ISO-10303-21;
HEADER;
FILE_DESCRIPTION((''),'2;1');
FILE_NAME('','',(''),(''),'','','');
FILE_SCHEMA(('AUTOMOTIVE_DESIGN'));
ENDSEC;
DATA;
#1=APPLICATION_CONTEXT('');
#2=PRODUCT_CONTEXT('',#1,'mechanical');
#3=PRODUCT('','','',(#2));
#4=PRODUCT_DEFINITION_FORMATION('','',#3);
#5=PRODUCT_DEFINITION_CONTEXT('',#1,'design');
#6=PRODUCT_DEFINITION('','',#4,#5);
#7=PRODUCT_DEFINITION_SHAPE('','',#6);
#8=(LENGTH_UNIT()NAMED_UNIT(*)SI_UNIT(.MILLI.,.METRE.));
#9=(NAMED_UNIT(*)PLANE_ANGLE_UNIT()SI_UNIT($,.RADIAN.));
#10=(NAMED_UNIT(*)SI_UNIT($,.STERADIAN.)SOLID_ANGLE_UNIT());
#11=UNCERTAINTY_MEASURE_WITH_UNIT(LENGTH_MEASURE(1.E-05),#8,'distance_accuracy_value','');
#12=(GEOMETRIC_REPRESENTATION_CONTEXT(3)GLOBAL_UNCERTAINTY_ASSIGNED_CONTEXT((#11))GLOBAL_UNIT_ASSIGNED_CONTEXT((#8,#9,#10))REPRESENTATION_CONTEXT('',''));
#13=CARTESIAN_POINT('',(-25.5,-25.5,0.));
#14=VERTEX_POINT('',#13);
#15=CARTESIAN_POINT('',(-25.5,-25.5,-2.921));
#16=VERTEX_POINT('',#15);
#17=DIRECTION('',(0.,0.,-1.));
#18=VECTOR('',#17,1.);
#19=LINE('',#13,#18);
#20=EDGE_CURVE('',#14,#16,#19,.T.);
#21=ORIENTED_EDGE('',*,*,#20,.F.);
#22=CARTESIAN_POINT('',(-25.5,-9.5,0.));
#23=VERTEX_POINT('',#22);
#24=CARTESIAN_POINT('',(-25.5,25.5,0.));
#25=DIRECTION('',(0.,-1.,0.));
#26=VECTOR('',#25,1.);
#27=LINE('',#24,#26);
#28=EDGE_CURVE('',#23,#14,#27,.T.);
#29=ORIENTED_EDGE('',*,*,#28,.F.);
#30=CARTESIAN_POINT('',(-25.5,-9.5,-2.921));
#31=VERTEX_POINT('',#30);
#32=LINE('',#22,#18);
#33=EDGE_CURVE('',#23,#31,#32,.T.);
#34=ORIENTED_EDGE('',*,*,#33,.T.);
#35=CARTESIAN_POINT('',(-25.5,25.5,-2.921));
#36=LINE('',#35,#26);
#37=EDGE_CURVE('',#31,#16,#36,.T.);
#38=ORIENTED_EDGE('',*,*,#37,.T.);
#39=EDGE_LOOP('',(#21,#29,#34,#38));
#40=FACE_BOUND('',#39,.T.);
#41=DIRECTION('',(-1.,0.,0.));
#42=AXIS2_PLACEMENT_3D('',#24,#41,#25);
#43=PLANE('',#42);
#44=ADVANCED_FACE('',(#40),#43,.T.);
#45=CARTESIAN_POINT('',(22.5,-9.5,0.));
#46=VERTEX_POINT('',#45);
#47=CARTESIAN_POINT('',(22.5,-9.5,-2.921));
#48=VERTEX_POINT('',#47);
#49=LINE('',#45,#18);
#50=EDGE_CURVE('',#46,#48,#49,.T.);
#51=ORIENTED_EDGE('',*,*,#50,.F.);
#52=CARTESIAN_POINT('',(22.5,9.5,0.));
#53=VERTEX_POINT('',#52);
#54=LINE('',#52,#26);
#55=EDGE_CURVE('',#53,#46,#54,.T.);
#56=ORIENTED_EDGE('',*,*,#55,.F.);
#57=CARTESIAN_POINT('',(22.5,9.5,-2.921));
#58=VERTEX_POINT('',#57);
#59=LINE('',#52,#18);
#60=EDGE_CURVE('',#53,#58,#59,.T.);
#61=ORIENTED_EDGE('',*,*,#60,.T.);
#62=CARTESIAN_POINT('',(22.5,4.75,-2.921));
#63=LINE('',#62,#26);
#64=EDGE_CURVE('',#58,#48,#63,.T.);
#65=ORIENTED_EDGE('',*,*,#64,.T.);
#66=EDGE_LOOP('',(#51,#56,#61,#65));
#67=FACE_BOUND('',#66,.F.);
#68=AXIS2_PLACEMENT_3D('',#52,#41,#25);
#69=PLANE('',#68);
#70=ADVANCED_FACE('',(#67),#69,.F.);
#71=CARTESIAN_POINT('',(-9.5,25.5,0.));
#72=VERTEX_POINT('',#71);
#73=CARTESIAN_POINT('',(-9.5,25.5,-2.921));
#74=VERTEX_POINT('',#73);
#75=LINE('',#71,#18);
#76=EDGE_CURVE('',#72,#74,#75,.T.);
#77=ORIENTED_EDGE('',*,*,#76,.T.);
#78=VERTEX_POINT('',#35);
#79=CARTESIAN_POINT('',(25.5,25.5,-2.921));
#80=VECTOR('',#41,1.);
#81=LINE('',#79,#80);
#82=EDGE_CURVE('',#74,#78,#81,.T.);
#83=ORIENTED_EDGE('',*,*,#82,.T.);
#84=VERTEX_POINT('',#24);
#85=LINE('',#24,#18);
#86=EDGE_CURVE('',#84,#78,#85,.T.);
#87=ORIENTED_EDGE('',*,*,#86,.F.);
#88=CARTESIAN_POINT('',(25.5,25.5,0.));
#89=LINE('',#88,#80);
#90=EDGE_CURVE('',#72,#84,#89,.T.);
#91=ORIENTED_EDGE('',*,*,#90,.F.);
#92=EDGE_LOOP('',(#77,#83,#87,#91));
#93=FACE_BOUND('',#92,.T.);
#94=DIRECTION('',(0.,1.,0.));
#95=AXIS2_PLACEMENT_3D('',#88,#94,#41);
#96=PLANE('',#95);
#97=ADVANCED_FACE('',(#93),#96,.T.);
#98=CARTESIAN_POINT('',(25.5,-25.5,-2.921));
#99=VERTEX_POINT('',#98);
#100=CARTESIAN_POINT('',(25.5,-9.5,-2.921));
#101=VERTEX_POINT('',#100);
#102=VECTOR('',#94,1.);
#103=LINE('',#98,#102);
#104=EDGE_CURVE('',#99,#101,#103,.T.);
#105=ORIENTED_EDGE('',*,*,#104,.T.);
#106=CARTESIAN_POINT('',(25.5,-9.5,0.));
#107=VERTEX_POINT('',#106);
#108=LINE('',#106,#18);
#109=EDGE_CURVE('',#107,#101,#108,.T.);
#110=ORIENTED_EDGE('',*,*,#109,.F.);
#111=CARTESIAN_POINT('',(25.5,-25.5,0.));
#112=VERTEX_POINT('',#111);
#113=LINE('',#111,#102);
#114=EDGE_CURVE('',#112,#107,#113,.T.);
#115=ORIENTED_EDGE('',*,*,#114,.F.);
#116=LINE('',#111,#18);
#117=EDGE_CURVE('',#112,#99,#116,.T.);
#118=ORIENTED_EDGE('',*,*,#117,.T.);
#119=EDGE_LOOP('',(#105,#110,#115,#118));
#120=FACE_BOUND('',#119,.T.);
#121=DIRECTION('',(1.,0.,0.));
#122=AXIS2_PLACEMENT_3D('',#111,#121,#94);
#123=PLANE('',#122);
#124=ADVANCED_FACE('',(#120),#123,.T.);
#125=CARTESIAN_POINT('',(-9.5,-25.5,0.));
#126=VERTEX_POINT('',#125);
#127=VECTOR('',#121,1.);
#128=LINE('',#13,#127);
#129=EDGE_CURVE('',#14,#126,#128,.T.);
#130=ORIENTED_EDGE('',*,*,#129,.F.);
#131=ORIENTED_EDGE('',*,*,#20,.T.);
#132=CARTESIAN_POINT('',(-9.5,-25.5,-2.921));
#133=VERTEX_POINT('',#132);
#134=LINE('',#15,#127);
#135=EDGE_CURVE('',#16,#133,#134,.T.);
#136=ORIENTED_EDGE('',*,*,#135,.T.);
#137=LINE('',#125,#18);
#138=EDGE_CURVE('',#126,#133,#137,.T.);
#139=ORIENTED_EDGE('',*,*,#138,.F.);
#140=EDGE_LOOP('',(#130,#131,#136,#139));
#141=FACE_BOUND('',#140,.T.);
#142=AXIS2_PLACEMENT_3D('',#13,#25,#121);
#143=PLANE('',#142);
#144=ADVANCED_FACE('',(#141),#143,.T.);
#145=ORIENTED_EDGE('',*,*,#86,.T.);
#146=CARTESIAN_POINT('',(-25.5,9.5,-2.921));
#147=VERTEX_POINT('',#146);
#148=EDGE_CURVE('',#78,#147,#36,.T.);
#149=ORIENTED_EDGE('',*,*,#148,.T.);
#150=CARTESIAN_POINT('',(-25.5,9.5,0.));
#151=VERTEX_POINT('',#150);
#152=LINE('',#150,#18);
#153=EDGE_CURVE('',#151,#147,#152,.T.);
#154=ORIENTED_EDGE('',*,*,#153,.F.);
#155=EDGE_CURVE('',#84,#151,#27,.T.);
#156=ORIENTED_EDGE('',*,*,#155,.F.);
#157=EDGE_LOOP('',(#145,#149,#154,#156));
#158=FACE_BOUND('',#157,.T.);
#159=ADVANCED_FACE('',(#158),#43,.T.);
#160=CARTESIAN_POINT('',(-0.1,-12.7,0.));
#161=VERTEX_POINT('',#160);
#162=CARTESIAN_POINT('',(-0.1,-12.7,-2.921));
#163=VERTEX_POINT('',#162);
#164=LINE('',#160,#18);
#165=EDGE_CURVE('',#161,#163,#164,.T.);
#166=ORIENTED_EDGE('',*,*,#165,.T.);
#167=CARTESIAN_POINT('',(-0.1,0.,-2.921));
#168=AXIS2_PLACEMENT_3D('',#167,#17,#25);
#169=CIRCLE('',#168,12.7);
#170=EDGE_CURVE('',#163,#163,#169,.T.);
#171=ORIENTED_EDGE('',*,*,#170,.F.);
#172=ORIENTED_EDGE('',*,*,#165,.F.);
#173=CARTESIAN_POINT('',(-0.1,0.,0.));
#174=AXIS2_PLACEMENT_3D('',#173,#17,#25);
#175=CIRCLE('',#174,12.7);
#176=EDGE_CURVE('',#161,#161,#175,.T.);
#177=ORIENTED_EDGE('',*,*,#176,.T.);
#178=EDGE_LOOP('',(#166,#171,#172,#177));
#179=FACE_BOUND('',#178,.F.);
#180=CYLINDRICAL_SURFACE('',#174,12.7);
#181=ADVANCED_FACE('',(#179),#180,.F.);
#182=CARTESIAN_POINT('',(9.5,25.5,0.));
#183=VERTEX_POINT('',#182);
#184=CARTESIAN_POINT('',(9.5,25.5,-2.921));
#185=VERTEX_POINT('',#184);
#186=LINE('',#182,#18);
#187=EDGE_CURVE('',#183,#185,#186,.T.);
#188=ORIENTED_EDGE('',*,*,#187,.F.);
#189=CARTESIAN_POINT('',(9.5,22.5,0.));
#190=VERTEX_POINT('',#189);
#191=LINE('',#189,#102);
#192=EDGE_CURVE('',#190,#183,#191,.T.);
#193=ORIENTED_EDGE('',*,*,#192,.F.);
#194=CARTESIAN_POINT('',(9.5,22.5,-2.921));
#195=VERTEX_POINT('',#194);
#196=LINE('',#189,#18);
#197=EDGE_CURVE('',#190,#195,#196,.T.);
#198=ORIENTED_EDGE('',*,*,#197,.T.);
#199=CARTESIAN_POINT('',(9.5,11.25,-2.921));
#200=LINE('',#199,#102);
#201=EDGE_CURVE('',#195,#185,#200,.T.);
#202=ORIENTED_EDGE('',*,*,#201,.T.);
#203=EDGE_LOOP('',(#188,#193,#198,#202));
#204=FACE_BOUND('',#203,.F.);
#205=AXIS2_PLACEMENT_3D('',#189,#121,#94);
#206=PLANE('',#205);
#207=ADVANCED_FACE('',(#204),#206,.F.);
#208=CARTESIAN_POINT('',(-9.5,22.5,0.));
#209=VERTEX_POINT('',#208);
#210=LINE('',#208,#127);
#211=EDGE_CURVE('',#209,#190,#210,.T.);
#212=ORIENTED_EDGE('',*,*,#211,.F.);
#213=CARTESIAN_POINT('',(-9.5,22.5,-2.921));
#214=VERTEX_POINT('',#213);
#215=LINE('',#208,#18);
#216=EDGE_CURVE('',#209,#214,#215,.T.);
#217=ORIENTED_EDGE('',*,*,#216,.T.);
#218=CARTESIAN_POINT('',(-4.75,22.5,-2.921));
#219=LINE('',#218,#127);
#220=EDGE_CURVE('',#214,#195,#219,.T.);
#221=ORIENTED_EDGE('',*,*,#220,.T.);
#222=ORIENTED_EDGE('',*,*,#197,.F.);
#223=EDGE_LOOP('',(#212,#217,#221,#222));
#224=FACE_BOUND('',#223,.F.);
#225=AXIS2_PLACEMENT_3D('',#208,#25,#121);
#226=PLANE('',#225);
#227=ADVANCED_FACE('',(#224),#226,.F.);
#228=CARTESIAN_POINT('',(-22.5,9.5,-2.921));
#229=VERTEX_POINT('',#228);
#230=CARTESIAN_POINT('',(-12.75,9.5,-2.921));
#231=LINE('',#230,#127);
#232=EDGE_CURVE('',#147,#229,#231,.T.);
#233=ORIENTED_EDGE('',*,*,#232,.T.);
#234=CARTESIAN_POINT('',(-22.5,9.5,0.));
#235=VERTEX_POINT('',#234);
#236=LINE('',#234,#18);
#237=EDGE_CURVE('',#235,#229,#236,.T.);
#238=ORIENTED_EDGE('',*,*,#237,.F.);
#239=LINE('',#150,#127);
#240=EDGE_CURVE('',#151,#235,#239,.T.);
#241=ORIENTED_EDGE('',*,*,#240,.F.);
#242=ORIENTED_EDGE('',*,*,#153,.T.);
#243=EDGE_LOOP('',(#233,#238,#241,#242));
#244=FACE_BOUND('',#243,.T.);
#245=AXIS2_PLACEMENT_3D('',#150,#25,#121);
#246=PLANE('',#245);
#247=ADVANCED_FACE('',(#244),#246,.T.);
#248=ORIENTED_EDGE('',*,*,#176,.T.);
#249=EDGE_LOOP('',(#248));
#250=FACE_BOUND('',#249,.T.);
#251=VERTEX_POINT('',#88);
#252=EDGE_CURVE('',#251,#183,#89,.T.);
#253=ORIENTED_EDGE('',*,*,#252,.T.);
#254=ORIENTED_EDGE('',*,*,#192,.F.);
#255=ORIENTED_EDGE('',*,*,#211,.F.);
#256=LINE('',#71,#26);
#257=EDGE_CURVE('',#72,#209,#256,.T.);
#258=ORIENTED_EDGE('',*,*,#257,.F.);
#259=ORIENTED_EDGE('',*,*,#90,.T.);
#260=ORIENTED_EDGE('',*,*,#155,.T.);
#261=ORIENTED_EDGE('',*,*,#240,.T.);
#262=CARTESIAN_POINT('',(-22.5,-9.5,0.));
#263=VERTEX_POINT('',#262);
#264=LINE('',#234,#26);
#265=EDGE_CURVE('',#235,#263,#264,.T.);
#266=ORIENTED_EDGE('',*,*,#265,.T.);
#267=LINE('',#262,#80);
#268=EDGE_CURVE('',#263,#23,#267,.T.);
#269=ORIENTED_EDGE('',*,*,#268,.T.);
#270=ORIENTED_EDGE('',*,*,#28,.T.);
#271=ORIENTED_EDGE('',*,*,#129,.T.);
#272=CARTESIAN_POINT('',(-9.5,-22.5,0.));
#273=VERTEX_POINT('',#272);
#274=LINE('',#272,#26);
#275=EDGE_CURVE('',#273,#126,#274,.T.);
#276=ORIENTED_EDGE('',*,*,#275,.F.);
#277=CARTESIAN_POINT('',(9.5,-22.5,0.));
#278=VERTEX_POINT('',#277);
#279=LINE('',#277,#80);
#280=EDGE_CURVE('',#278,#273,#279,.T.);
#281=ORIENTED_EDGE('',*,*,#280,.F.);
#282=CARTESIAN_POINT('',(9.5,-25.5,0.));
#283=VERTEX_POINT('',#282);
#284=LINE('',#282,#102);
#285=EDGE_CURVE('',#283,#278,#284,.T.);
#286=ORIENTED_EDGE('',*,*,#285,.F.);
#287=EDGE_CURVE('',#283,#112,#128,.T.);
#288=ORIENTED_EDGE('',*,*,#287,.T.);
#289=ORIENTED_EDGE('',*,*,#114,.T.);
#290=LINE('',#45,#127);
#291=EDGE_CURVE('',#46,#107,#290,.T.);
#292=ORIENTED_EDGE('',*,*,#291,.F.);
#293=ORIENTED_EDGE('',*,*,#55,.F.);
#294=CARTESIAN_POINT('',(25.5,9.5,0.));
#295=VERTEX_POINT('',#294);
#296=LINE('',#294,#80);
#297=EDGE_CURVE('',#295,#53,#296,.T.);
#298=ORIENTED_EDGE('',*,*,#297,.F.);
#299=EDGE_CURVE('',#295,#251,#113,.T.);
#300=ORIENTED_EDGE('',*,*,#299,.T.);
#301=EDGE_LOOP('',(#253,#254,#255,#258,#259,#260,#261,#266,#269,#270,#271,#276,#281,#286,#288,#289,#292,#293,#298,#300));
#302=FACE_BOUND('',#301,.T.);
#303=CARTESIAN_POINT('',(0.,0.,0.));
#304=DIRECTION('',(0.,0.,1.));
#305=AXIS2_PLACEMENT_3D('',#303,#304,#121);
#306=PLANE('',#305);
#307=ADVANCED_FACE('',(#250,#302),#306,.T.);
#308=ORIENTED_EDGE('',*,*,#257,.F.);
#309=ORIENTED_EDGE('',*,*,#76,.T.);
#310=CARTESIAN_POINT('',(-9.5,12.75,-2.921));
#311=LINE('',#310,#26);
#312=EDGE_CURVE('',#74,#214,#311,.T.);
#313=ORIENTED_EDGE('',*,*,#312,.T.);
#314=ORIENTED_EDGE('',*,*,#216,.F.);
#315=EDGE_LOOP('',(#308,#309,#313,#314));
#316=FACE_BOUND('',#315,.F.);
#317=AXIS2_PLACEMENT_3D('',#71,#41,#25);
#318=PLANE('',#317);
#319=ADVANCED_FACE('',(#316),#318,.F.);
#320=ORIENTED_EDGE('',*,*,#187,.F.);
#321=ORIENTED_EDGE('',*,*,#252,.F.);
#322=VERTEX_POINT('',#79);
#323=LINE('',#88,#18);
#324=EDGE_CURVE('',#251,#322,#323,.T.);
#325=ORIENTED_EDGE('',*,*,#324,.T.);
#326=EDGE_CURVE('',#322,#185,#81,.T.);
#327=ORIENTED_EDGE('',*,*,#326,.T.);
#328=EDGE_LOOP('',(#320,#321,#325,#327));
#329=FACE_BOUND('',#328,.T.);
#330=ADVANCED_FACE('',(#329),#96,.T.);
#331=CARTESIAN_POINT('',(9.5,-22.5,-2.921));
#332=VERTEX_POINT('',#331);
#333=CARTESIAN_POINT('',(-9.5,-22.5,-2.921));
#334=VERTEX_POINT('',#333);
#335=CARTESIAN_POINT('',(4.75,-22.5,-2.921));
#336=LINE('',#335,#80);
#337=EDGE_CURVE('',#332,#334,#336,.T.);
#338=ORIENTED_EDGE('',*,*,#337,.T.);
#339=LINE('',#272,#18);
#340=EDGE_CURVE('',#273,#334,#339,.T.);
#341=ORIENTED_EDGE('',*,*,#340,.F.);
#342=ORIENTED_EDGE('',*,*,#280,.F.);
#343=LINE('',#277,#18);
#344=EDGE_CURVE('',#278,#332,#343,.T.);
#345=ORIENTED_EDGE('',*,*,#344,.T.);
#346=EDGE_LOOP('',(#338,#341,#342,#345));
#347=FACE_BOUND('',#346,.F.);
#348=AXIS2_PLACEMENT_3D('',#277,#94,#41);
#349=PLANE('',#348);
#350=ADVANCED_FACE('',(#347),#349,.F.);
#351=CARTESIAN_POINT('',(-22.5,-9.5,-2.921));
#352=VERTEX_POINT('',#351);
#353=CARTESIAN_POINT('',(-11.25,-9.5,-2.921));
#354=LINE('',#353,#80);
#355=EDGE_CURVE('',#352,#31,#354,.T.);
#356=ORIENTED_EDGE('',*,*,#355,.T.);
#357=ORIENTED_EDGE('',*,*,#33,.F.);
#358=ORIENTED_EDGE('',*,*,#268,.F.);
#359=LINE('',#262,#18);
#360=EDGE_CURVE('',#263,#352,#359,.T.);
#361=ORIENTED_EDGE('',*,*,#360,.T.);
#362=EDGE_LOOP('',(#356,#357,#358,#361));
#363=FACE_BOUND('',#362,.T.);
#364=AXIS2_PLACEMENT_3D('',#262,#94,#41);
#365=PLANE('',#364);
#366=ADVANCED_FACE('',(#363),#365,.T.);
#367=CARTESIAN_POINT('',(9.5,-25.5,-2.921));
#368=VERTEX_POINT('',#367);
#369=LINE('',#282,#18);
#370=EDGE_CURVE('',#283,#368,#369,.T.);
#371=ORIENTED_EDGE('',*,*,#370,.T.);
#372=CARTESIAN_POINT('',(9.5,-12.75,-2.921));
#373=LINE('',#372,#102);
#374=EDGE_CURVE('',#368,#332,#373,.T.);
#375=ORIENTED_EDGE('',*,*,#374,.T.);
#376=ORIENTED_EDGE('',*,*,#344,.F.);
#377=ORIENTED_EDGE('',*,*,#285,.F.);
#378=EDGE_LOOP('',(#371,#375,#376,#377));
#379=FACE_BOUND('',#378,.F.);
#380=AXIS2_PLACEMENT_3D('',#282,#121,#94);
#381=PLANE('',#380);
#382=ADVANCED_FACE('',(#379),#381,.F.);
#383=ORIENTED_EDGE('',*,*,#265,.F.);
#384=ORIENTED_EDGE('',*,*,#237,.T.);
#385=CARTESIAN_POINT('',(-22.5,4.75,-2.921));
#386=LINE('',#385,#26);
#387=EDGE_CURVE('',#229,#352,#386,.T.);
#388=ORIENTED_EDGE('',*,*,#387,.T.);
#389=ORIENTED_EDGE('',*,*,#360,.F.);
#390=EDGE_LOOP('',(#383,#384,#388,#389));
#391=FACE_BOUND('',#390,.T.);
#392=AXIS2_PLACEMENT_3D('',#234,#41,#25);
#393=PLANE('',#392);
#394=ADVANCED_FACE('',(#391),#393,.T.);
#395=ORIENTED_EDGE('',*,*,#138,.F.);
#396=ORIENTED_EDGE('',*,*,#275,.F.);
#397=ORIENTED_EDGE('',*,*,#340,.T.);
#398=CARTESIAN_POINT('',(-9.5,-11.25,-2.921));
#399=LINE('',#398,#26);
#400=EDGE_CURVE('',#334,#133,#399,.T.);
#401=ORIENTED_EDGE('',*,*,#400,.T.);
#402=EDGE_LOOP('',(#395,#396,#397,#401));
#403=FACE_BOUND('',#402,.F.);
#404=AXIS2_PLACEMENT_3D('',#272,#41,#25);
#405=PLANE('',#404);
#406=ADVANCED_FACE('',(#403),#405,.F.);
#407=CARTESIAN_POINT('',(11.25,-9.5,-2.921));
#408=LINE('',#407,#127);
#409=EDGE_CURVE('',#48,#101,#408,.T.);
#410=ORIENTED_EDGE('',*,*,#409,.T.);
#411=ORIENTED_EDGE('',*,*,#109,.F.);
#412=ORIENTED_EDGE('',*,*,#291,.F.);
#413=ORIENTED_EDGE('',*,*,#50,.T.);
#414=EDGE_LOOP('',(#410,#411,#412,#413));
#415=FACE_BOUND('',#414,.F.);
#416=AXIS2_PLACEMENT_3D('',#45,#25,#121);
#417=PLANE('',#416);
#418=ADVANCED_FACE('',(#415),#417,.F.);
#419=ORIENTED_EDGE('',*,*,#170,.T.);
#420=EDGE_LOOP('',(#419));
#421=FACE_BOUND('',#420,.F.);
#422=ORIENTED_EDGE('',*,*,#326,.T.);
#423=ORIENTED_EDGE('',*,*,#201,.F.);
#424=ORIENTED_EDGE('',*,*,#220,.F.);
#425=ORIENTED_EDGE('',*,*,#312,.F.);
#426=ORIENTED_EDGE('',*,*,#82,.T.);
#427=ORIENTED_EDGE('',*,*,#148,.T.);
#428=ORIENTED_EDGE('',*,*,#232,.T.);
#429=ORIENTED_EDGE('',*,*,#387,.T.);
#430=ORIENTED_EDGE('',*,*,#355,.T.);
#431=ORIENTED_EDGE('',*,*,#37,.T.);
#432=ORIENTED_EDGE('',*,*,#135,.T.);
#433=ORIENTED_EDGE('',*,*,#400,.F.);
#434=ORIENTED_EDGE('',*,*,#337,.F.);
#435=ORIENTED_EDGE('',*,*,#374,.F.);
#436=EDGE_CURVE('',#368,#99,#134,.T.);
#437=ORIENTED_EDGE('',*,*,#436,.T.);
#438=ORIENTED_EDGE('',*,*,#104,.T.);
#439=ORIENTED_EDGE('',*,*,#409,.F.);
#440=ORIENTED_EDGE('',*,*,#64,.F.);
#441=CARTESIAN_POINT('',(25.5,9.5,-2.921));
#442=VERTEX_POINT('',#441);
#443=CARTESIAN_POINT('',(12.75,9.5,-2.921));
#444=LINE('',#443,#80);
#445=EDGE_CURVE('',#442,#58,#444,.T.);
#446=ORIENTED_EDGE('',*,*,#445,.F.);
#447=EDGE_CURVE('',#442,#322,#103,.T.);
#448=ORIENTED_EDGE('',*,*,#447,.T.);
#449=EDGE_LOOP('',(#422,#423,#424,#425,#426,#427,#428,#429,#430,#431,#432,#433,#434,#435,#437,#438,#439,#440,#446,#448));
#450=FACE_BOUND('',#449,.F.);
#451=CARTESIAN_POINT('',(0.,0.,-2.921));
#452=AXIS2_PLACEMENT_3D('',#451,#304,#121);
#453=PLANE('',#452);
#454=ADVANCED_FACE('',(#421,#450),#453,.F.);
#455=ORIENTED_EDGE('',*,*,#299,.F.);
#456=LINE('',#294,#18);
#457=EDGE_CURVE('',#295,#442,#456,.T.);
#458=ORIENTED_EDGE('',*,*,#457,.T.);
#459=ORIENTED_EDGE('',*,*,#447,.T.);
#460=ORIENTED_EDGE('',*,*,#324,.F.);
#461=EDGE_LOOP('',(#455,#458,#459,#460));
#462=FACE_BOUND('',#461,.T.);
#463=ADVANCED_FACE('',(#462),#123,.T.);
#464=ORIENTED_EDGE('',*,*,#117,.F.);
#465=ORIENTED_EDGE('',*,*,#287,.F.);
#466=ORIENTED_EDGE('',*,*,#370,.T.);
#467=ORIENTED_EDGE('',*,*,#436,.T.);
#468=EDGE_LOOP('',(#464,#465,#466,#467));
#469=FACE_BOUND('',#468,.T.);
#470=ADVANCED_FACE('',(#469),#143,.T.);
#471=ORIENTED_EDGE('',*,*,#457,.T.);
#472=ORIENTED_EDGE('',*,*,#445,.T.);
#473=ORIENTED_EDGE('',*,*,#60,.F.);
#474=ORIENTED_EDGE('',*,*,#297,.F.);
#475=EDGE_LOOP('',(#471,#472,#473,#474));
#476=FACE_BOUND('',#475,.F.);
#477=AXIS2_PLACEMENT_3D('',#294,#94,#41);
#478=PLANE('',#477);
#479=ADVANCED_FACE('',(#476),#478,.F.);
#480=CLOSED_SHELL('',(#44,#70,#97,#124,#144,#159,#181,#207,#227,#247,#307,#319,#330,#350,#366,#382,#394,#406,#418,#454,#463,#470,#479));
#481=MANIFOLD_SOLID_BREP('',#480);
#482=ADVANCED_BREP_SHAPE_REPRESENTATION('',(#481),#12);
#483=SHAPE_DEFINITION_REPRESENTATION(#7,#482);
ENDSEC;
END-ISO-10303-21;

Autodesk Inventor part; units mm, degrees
ref_plane "YZ Plane" through (0, 0, 0) normal (1, 0, 0) x (0, 1, 0)
ref_plane "XZ Plane" through (0, 0, 0) normal (0, 1, 0) x (-1, 0, 0)
ref_plane "XY Plane" through (0, 0, 0) normal (0, 0, 1) x (1, 0, 0)
sketch "Sketch1" plane through (0, 0, 0) normal (0, 0, 1) x (1, 0, 0)
  line L0 (-25.5, -25.5) -> (25.5, -25.5)
  line L1 (25.5, -25.5) -> (25.5, 25.5)
  line L2 (25.5, 25.5) -> (-25.5, 25.5)
  line L3 (-25.5, 25.5) -> (-25.5, -25.5)
  line L4 (-25.5, -25.5) -> (25.5, 25.5) construction
  line L5 (25.5, -25.5) -> (-25.5, 25.5) construction
  point P0 (0, 0)
  dimension "d0" = 51
  dimension "d1" = 51
extrude "Extrusion1" add sketch "Sketch1" against normal blind 2.921
sketch "Sketch2" plane through (0, 0, 0) normal (0, 0, 1) x (1, 0, 0)
  line L0 (-13.0551, 25.5) -> (-9.5, 25.5)
  line L1 (-9.5, 25.5) -> (-9.5, 22.5)
  line L2 (-9.5, 22.5) -> (9.5, 22.5)
  line L3 (9.5, 22.5) -> (9.5, 25.5)
  line L4 (-9.5, 25.5) -> (9.5, 25.5)
  line L5 (-9.5, -25.5) -> (9.5, -25.5)
  line L6 (9.5, -25.5) -> (9.5, -22.5)
  line L7 (9.5, -22.5) -> (-9.5, -22.5)
  line L8 (-9.5, -22.5) -> (-9.5, -25.5)
  line L9 (-25.5, 9.5) -> (-22.5, 9.5)
  line L10 (-22.5, 9.5) -> (-22.5, -9.5)
  line L11 (-22.5, -9.5) -> (-25.5, -9.5)
  line L12 (-25.5, -9.5) -> (-25.5, 9.5)
  line L13 (25.5, 9.5) -> (22.5, 9.5)
  line L14 (22.5, 9.5) -> (22.5, -9.5)
  line L15 (22.5, -9.5) -> (25.5, -9.5)
  line L16 (25.5, -9.5) -> (25.5, 9.5)
  line L17 (25.5, -25.5) -> (25.5, 25.5) projected
  line L18 (-25.5, 25.5) -> (-25.5, -25.5) projected
  line L19 (-25.5, -25.5) -> (25.5, -25.5) projected
  line L20 (25.5, 25.5) -> (-25.5, 25.5) projected
  line L21 (-25.5, 25.5) -> (-25.5, -25.5) projected
  dimension "d4" = 3
  dimension "d5" = 19
  dimension "d17" = 19
  dimension "d18" = 3
  dimension "d19" = 3
  dimension "d20" = 19
  dimension "d34" = 3
  dimension "d35" = 19
  dimension "d47" = 16
  dimension "d48" = 16
  dimension "d49" = 16
  dimension "d50" = 16
  dimension "d51" = 16
  dimension "d52" = 45
extrude "Extrusion3" cut sketch "Sketch2" against normal blind 25.4 contours L4 L3 L2 L1 | L9 L10 L11 L12 | L16 L15 L14 L13 | L8 L7 L6 L5
hole "Hole1" at (-0.1, 0, 0) direction (0, 0, -1) diameter 25.4 end through all
equation "\"d1\" = d0"
equation "\"d17\" = d5"
equation "\"d18\" = d4"
equation "\"d19\" = d4"
equation "\"d20\" = d5"
equation "\"d34\" = d4"
equation "\"d35\" = d5"
equation "\"d47\" = -0.5 * d5 + 0.5 * d0"
equation "\"d49\" = d47"
equation "\"d50\" = d47"
equation "\"d51\" = d47"
equation "\"d53\" = 0.5 * d0"
properties part number "Side A"
